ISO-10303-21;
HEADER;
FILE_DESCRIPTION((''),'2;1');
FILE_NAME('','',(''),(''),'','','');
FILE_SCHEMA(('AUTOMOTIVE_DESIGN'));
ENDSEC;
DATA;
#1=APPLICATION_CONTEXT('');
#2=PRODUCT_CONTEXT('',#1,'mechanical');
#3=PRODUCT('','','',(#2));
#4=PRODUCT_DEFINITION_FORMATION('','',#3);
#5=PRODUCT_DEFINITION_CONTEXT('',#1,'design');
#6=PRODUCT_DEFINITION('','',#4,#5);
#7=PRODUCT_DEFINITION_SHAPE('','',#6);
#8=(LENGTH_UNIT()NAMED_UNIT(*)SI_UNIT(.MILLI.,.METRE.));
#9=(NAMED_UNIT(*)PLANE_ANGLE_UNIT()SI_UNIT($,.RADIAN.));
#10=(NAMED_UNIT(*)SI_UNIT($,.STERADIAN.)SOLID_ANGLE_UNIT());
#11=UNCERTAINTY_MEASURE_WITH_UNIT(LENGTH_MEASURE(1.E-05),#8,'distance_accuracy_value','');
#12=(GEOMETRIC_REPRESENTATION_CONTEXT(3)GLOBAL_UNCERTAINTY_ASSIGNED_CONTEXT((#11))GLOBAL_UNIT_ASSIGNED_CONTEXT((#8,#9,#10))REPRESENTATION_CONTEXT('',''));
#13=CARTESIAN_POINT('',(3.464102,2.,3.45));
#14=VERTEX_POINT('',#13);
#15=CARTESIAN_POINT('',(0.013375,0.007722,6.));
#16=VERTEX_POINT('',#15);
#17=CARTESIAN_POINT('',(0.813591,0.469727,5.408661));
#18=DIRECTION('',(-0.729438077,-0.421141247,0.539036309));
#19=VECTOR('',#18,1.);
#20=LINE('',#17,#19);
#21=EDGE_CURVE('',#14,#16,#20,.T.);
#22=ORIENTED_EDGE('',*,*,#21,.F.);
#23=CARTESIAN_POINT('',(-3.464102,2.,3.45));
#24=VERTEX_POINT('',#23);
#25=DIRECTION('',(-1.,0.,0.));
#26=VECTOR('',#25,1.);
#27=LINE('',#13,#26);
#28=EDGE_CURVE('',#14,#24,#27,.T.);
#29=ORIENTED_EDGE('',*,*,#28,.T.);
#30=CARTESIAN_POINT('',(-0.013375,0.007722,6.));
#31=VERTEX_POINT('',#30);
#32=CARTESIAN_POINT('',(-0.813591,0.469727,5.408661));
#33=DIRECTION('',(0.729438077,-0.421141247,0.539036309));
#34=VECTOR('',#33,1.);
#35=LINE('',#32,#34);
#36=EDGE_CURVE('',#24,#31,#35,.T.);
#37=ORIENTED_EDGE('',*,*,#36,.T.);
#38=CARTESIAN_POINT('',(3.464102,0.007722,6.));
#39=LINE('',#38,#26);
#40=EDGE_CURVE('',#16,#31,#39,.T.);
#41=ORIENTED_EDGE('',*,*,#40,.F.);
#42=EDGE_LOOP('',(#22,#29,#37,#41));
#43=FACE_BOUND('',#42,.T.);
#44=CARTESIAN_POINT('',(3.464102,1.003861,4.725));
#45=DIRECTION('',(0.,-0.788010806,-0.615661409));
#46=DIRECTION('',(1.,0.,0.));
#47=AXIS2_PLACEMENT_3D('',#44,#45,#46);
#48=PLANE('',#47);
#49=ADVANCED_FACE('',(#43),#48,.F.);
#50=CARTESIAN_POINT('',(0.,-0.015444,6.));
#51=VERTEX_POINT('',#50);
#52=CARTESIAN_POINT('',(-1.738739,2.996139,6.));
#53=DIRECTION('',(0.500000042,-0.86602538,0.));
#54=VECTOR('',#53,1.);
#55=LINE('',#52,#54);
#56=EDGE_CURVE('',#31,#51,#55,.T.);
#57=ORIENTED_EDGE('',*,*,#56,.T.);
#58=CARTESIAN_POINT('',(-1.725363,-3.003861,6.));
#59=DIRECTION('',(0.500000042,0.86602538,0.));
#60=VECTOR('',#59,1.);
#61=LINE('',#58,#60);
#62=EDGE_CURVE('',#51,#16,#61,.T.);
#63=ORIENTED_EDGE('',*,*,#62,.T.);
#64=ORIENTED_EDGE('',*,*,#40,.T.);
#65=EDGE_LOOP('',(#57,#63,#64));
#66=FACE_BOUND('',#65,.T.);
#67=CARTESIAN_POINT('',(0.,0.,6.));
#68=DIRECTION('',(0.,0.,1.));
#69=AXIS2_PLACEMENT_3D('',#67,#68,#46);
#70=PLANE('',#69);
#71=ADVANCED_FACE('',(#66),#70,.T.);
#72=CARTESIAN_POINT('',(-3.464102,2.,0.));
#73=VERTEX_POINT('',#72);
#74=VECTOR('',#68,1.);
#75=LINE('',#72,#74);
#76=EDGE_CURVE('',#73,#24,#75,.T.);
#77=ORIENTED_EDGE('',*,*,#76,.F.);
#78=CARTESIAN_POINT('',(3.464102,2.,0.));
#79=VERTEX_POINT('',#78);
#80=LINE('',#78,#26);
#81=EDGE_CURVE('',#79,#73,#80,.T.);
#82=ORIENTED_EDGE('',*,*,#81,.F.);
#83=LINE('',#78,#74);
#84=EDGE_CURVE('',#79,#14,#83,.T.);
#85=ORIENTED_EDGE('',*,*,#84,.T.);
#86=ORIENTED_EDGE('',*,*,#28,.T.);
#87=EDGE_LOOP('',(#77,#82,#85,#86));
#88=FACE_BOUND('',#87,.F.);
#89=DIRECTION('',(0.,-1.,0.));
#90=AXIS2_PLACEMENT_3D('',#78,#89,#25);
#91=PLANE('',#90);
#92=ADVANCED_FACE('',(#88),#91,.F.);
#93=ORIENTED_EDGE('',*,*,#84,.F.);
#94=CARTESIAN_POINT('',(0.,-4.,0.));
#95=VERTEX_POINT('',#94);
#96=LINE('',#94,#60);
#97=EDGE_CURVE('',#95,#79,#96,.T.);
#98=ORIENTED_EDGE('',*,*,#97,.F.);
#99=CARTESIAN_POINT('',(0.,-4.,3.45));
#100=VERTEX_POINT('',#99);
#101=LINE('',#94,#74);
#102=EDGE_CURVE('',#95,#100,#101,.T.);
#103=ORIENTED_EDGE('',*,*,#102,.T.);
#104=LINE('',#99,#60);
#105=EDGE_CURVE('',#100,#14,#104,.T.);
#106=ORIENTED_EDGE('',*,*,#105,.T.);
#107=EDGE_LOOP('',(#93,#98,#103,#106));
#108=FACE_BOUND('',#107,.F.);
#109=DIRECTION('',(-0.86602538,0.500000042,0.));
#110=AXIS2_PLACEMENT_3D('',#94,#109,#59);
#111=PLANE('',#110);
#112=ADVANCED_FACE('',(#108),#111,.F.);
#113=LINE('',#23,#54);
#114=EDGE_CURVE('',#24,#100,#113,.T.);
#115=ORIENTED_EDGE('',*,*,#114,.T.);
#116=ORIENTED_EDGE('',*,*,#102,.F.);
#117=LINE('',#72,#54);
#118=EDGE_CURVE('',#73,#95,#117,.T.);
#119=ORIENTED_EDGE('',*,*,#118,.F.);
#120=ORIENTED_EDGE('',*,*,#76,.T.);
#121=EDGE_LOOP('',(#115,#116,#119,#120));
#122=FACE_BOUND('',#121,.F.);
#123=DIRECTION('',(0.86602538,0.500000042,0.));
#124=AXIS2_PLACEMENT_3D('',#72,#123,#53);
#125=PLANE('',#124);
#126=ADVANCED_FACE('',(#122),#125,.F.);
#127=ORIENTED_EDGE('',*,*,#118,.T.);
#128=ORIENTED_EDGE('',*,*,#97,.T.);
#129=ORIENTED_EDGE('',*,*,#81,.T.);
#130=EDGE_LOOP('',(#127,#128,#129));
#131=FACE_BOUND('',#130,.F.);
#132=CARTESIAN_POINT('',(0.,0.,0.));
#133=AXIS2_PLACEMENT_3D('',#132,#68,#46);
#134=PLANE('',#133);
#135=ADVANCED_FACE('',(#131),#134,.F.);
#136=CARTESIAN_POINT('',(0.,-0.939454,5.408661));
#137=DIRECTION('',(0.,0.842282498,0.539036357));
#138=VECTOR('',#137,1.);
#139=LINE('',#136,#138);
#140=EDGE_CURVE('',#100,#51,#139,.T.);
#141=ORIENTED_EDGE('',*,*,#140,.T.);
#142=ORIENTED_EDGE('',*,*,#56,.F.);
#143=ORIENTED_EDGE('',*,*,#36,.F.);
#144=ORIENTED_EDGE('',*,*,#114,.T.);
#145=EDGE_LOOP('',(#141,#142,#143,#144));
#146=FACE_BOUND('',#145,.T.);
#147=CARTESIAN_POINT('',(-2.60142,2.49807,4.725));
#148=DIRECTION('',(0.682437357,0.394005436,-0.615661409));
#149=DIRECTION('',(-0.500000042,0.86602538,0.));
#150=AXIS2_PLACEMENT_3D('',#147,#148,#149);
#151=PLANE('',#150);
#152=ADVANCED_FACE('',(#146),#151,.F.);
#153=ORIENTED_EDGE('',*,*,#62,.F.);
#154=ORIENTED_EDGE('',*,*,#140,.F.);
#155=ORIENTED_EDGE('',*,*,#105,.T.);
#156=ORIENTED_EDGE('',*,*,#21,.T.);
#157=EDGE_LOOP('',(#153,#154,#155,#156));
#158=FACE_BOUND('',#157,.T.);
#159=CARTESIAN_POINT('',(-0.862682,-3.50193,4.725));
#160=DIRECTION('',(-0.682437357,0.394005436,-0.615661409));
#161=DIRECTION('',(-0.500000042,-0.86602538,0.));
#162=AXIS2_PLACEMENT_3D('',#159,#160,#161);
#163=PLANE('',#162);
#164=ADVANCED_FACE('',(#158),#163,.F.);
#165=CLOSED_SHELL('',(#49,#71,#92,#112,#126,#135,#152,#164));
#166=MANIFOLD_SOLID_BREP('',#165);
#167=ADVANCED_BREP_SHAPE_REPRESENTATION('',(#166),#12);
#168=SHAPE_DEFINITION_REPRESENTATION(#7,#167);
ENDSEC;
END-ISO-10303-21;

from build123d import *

# Parameters (mm, degrees)
F1_DEPTH = 6
F2_SIZE2 = 1.992278
F2_SIZE  = 2.55


with BuildPart() as f1:
    # F0 (on Top) → F1 (new body)
    with BuildSketch(Plane.XY):
        Polygon((3.464102, 2), (-3.464102, 2), (0, -4), align=None)
    extrude(amount=F1_DEPTH)

    # F2
    f2_edges = [f1.edges().sort_by_distance(p)[0] for p in [
        (1.732051, -1, 6),
        (-1.732051, -1, 6),
        (0, 2, 6),
    ]]
    chamfer(f2_edges, length=F2_SIZE, length2=F2_SIZE2)


solid = f1.part
